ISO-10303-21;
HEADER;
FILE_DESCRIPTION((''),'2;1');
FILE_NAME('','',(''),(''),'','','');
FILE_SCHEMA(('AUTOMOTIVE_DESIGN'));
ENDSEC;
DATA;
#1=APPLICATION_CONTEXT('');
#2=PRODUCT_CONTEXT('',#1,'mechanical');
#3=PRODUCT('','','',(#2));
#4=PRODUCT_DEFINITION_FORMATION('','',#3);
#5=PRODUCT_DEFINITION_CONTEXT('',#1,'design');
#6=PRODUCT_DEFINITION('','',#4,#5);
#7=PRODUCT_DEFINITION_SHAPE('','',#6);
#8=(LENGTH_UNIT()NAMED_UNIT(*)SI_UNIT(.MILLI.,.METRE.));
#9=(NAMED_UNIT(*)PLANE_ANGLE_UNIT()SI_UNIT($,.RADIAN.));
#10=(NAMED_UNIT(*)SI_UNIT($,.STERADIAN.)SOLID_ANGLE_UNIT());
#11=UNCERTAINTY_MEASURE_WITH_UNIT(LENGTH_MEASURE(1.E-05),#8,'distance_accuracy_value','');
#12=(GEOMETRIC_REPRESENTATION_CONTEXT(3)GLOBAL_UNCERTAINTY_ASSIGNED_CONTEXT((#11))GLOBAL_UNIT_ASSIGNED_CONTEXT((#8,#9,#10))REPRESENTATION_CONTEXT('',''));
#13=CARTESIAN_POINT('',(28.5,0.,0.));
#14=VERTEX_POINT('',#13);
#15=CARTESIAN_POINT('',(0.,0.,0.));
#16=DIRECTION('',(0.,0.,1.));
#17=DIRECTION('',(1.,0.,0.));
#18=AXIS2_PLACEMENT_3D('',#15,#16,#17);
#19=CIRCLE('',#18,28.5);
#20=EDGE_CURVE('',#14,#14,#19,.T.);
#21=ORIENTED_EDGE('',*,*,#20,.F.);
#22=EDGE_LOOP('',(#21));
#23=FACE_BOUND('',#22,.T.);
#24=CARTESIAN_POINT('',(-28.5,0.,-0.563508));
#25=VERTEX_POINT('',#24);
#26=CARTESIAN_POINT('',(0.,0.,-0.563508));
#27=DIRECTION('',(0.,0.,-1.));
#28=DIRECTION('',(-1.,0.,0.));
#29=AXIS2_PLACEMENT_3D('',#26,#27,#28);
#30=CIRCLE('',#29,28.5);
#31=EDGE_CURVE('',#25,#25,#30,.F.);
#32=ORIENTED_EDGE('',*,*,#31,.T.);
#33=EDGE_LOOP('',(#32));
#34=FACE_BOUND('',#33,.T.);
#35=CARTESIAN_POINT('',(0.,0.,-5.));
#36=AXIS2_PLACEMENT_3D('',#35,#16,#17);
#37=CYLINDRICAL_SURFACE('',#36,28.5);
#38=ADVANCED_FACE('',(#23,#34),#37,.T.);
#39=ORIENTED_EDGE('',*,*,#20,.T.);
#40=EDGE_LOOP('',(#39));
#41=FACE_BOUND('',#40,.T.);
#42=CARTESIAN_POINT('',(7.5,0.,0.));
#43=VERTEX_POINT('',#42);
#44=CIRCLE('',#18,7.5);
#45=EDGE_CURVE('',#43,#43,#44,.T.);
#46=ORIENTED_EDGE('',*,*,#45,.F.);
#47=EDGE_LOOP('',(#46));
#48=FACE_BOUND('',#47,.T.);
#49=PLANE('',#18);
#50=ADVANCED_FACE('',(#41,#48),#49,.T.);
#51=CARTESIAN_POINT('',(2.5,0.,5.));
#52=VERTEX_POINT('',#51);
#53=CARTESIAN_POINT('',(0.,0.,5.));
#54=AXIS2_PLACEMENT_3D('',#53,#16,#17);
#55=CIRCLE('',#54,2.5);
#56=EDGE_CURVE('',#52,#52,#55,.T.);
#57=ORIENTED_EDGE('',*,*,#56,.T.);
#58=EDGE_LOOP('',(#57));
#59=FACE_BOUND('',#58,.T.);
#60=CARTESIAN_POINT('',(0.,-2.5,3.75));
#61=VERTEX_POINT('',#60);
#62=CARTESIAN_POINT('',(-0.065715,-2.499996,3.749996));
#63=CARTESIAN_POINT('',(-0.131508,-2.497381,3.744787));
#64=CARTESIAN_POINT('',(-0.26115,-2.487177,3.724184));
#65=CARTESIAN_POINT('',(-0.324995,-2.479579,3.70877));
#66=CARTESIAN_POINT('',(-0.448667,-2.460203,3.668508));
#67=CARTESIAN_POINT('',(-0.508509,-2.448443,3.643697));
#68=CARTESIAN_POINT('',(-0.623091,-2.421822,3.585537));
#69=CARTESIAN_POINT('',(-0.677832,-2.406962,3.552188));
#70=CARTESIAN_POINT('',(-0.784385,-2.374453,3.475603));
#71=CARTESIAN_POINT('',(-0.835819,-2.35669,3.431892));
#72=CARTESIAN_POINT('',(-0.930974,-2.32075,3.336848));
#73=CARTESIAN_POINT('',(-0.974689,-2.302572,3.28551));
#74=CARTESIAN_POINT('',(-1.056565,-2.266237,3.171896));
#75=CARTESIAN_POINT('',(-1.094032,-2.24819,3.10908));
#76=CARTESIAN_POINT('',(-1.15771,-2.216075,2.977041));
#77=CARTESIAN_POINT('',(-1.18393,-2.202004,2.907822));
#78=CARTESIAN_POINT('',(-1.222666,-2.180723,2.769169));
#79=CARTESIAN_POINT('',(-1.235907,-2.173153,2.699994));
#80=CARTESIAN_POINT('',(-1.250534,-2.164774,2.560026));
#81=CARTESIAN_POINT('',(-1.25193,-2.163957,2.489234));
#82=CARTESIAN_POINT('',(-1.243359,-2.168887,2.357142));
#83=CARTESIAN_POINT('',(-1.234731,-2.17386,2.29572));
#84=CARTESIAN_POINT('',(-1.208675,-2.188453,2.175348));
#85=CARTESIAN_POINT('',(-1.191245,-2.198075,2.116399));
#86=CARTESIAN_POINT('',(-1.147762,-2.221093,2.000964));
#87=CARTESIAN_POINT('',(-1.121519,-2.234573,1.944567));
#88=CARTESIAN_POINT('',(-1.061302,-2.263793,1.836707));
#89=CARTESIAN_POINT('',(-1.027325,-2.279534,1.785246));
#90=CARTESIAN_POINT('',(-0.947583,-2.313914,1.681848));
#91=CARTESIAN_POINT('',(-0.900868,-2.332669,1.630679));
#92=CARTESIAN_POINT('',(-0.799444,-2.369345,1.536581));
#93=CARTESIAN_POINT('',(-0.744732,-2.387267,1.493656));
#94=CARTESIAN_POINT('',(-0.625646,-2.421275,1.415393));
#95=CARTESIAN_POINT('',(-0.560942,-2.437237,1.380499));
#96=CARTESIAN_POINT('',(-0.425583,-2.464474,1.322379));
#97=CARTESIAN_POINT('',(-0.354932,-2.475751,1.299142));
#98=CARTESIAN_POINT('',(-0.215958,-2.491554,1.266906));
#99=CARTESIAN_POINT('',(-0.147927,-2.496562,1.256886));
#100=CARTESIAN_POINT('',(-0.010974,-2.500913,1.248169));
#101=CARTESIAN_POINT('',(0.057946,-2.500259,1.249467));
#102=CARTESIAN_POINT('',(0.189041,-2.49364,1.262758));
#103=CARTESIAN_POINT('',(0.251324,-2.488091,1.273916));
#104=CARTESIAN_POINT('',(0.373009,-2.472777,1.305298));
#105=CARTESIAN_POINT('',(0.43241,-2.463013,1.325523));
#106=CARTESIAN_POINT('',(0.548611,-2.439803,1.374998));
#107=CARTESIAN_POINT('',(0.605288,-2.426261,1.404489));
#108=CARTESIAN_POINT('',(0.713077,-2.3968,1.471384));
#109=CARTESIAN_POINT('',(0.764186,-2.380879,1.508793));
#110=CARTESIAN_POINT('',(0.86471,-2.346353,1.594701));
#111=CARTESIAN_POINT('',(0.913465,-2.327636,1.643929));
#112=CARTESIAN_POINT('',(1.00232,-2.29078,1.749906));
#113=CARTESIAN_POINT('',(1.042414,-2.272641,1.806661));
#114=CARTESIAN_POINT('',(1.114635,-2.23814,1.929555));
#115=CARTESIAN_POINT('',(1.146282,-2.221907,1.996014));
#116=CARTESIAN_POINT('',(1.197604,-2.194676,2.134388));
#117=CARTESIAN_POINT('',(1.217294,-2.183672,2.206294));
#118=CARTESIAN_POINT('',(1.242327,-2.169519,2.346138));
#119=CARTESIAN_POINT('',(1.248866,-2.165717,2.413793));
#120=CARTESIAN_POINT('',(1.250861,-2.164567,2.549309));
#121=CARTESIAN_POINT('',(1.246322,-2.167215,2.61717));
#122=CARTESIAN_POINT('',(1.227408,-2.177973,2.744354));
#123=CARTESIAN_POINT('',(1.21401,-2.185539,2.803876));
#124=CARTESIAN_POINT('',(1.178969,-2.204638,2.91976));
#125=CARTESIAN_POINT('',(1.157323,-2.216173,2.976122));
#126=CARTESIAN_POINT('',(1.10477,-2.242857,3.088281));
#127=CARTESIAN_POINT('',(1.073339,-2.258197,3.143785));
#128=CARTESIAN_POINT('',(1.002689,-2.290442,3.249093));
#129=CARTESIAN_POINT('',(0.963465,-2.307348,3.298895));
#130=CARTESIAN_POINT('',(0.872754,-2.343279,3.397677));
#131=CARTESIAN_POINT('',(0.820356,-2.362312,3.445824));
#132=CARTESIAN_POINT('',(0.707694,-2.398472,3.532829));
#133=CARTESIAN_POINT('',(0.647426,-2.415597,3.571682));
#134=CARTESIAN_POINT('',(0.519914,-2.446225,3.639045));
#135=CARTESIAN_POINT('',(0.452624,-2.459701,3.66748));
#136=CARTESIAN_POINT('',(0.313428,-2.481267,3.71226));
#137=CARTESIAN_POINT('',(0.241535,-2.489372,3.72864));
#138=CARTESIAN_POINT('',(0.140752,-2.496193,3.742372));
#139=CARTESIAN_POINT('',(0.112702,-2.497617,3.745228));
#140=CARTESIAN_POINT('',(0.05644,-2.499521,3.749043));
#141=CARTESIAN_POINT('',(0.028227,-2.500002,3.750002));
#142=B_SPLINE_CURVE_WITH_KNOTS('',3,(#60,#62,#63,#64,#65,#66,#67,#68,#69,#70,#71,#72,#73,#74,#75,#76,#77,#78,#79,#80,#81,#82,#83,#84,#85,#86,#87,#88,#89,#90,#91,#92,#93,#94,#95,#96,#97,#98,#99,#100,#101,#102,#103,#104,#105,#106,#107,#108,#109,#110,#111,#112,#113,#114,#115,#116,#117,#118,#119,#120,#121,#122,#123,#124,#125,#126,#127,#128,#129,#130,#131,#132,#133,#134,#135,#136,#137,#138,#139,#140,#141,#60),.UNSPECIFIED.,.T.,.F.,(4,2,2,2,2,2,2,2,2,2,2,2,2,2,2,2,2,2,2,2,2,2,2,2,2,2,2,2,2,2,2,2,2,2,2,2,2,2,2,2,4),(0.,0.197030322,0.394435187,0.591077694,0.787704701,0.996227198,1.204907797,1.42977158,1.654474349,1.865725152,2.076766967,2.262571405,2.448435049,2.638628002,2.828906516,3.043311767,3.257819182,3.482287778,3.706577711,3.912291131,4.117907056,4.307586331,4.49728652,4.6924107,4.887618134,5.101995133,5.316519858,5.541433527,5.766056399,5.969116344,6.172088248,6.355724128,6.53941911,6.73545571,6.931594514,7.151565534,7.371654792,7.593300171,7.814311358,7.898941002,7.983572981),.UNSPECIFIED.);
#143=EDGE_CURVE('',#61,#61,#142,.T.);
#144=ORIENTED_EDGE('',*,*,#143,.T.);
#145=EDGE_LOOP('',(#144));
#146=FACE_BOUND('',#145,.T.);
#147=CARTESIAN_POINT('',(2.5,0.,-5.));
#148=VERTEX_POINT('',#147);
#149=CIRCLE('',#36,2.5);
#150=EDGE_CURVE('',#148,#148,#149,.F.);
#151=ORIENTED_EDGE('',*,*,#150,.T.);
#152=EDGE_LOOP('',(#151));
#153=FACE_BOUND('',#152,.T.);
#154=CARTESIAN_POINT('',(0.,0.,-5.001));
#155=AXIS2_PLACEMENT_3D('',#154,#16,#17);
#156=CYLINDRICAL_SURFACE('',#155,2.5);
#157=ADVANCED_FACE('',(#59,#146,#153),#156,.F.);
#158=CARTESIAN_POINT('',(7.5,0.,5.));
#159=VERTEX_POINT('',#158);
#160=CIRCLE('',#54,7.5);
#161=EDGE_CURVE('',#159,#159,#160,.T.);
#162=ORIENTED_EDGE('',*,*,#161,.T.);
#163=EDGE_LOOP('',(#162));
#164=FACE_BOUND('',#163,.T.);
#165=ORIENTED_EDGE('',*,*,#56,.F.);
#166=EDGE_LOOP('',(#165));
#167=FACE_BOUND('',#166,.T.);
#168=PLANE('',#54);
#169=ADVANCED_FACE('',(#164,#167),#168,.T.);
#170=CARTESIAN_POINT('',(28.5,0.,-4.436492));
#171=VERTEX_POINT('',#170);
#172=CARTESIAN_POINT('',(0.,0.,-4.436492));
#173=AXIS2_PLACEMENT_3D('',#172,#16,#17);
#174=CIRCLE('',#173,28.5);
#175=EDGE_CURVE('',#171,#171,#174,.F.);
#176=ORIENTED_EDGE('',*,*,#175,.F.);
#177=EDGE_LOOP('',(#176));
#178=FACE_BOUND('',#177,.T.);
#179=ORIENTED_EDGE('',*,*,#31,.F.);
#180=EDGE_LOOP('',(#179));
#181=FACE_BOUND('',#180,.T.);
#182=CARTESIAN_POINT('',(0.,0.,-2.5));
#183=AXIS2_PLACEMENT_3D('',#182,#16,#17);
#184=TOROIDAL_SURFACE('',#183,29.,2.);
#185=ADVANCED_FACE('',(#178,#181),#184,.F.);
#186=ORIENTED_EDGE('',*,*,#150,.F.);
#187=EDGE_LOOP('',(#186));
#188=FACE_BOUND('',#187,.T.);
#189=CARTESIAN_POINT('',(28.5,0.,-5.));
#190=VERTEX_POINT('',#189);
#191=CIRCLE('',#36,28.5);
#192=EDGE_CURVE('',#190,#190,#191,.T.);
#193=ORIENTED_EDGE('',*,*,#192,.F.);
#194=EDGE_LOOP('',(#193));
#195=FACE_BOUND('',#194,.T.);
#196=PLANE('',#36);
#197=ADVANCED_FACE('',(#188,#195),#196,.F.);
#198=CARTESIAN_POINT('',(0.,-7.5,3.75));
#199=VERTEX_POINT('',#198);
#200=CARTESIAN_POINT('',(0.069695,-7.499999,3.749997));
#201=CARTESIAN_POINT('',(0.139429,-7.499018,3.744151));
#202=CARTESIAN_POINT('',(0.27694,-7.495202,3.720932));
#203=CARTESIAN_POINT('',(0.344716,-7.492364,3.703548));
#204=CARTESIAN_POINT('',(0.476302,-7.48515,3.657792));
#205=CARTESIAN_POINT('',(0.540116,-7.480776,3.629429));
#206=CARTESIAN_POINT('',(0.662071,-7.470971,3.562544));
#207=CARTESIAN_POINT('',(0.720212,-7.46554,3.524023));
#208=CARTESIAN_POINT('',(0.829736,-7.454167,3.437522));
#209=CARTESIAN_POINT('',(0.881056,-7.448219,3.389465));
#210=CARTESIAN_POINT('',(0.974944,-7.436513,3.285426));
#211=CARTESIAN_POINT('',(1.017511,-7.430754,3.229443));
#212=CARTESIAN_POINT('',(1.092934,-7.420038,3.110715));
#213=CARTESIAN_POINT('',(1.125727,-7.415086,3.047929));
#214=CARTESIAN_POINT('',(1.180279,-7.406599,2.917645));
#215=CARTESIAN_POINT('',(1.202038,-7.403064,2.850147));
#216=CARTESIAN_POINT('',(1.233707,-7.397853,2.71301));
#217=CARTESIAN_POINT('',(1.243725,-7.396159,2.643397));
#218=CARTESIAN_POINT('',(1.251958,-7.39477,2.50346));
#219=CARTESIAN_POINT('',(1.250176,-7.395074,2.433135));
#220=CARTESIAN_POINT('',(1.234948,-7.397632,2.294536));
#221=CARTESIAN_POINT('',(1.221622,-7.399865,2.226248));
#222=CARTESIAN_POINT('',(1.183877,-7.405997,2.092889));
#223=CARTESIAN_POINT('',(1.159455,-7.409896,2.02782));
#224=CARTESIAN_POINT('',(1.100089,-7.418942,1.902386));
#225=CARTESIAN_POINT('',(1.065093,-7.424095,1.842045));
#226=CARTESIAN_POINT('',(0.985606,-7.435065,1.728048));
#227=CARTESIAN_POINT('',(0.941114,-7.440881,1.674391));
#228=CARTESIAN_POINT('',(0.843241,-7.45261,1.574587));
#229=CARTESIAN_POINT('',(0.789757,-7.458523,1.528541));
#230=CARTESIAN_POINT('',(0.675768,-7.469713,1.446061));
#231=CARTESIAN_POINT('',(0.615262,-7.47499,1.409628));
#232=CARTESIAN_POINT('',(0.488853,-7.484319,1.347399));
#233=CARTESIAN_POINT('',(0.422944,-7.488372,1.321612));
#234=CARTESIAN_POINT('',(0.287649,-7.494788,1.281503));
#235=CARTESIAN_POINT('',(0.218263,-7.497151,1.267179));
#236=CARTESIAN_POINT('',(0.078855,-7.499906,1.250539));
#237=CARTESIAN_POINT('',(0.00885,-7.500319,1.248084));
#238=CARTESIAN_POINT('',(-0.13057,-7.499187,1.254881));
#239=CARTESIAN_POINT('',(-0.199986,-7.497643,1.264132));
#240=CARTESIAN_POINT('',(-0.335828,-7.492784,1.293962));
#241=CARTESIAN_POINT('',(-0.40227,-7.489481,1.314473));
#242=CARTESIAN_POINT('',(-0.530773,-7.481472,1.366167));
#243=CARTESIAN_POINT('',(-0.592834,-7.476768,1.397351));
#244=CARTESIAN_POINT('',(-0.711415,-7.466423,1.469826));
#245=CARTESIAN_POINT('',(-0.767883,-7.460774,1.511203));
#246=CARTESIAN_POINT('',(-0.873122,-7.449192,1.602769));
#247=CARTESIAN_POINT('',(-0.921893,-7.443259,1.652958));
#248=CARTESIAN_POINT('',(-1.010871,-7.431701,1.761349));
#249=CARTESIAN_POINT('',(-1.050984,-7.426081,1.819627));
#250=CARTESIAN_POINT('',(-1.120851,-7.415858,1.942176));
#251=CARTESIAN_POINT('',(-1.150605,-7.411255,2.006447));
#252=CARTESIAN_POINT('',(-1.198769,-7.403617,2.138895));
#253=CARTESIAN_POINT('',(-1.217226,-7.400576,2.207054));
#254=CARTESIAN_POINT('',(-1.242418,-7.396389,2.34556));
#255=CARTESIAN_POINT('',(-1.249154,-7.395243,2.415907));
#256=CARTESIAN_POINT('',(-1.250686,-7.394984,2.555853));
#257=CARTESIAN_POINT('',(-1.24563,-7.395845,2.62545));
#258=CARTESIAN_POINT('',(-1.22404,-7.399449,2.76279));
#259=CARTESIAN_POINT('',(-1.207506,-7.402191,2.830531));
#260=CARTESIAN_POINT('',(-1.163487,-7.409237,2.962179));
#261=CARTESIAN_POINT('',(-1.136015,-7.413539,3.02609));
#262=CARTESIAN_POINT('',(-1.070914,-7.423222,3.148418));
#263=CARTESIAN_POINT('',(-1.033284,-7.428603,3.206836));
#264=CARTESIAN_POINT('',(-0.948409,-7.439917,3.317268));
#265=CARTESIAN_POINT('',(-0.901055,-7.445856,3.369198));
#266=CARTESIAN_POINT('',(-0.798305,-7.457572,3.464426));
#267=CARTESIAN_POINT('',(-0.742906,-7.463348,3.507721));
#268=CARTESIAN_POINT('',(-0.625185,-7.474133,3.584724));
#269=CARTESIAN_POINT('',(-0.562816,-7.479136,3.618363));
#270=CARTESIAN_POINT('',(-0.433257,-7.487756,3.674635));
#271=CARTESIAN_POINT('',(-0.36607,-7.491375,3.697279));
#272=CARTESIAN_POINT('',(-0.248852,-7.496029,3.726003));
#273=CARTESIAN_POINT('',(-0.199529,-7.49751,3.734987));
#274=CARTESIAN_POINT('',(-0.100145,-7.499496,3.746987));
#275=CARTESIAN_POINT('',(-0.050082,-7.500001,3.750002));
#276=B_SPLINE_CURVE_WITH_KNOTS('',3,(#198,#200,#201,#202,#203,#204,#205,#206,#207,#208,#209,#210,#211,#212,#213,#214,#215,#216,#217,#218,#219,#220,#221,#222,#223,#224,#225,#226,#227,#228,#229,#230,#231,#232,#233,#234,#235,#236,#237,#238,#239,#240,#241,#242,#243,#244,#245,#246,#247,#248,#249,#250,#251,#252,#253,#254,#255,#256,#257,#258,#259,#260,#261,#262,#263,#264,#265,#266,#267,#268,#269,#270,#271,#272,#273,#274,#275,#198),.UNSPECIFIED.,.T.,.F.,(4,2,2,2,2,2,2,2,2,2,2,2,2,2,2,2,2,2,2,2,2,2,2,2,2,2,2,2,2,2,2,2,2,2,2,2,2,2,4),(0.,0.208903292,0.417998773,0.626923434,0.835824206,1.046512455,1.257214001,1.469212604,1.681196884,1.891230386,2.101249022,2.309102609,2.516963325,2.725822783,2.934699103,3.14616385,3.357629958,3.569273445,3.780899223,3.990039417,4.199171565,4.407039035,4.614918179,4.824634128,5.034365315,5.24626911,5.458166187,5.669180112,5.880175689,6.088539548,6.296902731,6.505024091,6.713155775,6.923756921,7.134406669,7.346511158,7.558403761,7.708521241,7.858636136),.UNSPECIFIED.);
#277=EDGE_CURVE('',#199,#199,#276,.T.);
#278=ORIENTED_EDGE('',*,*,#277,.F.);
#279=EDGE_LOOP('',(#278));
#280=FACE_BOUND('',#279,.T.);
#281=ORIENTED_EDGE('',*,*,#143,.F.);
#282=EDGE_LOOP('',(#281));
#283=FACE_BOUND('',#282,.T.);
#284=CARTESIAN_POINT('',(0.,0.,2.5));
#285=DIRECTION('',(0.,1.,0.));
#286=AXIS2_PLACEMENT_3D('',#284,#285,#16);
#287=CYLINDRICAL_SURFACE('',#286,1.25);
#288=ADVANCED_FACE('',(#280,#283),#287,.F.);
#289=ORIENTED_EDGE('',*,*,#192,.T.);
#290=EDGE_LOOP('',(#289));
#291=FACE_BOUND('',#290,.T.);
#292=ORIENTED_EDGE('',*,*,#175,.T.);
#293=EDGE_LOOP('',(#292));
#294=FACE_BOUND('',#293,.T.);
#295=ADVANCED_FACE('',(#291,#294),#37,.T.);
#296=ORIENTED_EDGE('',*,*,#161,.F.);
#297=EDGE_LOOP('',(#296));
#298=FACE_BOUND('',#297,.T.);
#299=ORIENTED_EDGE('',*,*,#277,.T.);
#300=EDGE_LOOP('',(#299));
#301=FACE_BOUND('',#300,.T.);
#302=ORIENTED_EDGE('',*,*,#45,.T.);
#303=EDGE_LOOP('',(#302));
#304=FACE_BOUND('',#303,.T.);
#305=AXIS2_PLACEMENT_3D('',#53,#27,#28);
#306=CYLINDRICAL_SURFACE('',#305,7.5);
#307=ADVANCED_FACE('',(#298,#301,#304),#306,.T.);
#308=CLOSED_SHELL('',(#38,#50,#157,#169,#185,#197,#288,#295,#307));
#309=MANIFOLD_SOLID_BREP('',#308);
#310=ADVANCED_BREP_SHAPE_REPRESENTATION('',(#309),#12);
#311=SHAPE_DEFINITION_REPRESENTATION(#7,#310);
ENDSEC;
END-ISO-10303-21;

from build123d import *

# Parameters (mm, degrees)
ESQUISSE1_R      = 28.5
EXTRUSION1_DEPTH = 5
ESQUISSE2_R      = 7.5
EXTRUSION2_DEPTH = 5
EXTRUSION3_REACH = 43.527
ESQUISSE3_R      = 2.5
ESQUISSE12_W     = 1.25
ESQUISSE12_H     = 28.5


with BuildPart() as part:
    # Esquisse1 → Extrusion1 (new body)
    with BuildSketch(Plane.XY):
        Circle(ESQUISSE1_R)
    extrude(amount=-EXTRUSION1_DEPTH)

    # Esquisse2 → Extrusion2 (add)
    with BuildSketch(Plane.XY):
        Circle(ESQUISSE2_R)
    extrude(amount=EXTRUSION2_DEPTH)

    # Esquisse3 → Extrusion3 (cut, up to next)
    with BuildSketch(Plane.XY.offset(5), mode=Mode.PRIVATE) as extrusion3_sk1:
        Circle(ESQUISSE3_R)
    extrusion3_tool1 = extrude(extrusion3_sk1.sketch, amount=-EXTRUSION3_REACH, mode=Mode.PRIVATE) & part.part
    add(extrusion3_tool1.solids().sort_by_distance((0, 0, 5))[0], mode=Mode.SUBTRACT)

    # Esquisse6 → Enlèvement de matière-Révolution3 (revolve, cut)
    with BuildSketch(Plane(origin=(0, 0, 0), x_dir=(1, 0, 0), z_dir=(0, 1, 0)), mode=Mode.PRIVATE) as enl_vement_de_mati_re_r_volution3_sk:
        with BuildLine():
            Line((-29, 4.5), (-31.449617094, 4.5))
            Line((-31.449617094, 4.5), (-31.449617094, 0.5))
            Line((-31.449617094, 0.5), (-29, 0.5))
            ThreePointArc((-29, 0.5), (-27, 2.5), (-29, 4.5))
        make_face()
    revolve(enl_vement_de_mati_re_r_volution3_sk.sketch.rotate(Axis((0, 0, 5), (0, 0, -1)), 180), axis=Axis((0, 0, 5), (0, 0, -1)), mode=Mode.SUBTRACT)

    # Esquisse12 → Trou taraudé M3x0.55 (revolve, cut)
    with BuildSketch(Plane(origin=(0, 0, 2.5), x_dir=(0, 0, 1), z_dir=(1, 0, 0))):
        with Locations((0.625, 14.25)):
            Rectangle(ESQUISSE12_W, ESQUISSE12_H)
    revolve(axis=Axis((0, 6.35, 2.5), (0, -1, 0)), mode=Mode.SUBTRACT)


solid = part.part
